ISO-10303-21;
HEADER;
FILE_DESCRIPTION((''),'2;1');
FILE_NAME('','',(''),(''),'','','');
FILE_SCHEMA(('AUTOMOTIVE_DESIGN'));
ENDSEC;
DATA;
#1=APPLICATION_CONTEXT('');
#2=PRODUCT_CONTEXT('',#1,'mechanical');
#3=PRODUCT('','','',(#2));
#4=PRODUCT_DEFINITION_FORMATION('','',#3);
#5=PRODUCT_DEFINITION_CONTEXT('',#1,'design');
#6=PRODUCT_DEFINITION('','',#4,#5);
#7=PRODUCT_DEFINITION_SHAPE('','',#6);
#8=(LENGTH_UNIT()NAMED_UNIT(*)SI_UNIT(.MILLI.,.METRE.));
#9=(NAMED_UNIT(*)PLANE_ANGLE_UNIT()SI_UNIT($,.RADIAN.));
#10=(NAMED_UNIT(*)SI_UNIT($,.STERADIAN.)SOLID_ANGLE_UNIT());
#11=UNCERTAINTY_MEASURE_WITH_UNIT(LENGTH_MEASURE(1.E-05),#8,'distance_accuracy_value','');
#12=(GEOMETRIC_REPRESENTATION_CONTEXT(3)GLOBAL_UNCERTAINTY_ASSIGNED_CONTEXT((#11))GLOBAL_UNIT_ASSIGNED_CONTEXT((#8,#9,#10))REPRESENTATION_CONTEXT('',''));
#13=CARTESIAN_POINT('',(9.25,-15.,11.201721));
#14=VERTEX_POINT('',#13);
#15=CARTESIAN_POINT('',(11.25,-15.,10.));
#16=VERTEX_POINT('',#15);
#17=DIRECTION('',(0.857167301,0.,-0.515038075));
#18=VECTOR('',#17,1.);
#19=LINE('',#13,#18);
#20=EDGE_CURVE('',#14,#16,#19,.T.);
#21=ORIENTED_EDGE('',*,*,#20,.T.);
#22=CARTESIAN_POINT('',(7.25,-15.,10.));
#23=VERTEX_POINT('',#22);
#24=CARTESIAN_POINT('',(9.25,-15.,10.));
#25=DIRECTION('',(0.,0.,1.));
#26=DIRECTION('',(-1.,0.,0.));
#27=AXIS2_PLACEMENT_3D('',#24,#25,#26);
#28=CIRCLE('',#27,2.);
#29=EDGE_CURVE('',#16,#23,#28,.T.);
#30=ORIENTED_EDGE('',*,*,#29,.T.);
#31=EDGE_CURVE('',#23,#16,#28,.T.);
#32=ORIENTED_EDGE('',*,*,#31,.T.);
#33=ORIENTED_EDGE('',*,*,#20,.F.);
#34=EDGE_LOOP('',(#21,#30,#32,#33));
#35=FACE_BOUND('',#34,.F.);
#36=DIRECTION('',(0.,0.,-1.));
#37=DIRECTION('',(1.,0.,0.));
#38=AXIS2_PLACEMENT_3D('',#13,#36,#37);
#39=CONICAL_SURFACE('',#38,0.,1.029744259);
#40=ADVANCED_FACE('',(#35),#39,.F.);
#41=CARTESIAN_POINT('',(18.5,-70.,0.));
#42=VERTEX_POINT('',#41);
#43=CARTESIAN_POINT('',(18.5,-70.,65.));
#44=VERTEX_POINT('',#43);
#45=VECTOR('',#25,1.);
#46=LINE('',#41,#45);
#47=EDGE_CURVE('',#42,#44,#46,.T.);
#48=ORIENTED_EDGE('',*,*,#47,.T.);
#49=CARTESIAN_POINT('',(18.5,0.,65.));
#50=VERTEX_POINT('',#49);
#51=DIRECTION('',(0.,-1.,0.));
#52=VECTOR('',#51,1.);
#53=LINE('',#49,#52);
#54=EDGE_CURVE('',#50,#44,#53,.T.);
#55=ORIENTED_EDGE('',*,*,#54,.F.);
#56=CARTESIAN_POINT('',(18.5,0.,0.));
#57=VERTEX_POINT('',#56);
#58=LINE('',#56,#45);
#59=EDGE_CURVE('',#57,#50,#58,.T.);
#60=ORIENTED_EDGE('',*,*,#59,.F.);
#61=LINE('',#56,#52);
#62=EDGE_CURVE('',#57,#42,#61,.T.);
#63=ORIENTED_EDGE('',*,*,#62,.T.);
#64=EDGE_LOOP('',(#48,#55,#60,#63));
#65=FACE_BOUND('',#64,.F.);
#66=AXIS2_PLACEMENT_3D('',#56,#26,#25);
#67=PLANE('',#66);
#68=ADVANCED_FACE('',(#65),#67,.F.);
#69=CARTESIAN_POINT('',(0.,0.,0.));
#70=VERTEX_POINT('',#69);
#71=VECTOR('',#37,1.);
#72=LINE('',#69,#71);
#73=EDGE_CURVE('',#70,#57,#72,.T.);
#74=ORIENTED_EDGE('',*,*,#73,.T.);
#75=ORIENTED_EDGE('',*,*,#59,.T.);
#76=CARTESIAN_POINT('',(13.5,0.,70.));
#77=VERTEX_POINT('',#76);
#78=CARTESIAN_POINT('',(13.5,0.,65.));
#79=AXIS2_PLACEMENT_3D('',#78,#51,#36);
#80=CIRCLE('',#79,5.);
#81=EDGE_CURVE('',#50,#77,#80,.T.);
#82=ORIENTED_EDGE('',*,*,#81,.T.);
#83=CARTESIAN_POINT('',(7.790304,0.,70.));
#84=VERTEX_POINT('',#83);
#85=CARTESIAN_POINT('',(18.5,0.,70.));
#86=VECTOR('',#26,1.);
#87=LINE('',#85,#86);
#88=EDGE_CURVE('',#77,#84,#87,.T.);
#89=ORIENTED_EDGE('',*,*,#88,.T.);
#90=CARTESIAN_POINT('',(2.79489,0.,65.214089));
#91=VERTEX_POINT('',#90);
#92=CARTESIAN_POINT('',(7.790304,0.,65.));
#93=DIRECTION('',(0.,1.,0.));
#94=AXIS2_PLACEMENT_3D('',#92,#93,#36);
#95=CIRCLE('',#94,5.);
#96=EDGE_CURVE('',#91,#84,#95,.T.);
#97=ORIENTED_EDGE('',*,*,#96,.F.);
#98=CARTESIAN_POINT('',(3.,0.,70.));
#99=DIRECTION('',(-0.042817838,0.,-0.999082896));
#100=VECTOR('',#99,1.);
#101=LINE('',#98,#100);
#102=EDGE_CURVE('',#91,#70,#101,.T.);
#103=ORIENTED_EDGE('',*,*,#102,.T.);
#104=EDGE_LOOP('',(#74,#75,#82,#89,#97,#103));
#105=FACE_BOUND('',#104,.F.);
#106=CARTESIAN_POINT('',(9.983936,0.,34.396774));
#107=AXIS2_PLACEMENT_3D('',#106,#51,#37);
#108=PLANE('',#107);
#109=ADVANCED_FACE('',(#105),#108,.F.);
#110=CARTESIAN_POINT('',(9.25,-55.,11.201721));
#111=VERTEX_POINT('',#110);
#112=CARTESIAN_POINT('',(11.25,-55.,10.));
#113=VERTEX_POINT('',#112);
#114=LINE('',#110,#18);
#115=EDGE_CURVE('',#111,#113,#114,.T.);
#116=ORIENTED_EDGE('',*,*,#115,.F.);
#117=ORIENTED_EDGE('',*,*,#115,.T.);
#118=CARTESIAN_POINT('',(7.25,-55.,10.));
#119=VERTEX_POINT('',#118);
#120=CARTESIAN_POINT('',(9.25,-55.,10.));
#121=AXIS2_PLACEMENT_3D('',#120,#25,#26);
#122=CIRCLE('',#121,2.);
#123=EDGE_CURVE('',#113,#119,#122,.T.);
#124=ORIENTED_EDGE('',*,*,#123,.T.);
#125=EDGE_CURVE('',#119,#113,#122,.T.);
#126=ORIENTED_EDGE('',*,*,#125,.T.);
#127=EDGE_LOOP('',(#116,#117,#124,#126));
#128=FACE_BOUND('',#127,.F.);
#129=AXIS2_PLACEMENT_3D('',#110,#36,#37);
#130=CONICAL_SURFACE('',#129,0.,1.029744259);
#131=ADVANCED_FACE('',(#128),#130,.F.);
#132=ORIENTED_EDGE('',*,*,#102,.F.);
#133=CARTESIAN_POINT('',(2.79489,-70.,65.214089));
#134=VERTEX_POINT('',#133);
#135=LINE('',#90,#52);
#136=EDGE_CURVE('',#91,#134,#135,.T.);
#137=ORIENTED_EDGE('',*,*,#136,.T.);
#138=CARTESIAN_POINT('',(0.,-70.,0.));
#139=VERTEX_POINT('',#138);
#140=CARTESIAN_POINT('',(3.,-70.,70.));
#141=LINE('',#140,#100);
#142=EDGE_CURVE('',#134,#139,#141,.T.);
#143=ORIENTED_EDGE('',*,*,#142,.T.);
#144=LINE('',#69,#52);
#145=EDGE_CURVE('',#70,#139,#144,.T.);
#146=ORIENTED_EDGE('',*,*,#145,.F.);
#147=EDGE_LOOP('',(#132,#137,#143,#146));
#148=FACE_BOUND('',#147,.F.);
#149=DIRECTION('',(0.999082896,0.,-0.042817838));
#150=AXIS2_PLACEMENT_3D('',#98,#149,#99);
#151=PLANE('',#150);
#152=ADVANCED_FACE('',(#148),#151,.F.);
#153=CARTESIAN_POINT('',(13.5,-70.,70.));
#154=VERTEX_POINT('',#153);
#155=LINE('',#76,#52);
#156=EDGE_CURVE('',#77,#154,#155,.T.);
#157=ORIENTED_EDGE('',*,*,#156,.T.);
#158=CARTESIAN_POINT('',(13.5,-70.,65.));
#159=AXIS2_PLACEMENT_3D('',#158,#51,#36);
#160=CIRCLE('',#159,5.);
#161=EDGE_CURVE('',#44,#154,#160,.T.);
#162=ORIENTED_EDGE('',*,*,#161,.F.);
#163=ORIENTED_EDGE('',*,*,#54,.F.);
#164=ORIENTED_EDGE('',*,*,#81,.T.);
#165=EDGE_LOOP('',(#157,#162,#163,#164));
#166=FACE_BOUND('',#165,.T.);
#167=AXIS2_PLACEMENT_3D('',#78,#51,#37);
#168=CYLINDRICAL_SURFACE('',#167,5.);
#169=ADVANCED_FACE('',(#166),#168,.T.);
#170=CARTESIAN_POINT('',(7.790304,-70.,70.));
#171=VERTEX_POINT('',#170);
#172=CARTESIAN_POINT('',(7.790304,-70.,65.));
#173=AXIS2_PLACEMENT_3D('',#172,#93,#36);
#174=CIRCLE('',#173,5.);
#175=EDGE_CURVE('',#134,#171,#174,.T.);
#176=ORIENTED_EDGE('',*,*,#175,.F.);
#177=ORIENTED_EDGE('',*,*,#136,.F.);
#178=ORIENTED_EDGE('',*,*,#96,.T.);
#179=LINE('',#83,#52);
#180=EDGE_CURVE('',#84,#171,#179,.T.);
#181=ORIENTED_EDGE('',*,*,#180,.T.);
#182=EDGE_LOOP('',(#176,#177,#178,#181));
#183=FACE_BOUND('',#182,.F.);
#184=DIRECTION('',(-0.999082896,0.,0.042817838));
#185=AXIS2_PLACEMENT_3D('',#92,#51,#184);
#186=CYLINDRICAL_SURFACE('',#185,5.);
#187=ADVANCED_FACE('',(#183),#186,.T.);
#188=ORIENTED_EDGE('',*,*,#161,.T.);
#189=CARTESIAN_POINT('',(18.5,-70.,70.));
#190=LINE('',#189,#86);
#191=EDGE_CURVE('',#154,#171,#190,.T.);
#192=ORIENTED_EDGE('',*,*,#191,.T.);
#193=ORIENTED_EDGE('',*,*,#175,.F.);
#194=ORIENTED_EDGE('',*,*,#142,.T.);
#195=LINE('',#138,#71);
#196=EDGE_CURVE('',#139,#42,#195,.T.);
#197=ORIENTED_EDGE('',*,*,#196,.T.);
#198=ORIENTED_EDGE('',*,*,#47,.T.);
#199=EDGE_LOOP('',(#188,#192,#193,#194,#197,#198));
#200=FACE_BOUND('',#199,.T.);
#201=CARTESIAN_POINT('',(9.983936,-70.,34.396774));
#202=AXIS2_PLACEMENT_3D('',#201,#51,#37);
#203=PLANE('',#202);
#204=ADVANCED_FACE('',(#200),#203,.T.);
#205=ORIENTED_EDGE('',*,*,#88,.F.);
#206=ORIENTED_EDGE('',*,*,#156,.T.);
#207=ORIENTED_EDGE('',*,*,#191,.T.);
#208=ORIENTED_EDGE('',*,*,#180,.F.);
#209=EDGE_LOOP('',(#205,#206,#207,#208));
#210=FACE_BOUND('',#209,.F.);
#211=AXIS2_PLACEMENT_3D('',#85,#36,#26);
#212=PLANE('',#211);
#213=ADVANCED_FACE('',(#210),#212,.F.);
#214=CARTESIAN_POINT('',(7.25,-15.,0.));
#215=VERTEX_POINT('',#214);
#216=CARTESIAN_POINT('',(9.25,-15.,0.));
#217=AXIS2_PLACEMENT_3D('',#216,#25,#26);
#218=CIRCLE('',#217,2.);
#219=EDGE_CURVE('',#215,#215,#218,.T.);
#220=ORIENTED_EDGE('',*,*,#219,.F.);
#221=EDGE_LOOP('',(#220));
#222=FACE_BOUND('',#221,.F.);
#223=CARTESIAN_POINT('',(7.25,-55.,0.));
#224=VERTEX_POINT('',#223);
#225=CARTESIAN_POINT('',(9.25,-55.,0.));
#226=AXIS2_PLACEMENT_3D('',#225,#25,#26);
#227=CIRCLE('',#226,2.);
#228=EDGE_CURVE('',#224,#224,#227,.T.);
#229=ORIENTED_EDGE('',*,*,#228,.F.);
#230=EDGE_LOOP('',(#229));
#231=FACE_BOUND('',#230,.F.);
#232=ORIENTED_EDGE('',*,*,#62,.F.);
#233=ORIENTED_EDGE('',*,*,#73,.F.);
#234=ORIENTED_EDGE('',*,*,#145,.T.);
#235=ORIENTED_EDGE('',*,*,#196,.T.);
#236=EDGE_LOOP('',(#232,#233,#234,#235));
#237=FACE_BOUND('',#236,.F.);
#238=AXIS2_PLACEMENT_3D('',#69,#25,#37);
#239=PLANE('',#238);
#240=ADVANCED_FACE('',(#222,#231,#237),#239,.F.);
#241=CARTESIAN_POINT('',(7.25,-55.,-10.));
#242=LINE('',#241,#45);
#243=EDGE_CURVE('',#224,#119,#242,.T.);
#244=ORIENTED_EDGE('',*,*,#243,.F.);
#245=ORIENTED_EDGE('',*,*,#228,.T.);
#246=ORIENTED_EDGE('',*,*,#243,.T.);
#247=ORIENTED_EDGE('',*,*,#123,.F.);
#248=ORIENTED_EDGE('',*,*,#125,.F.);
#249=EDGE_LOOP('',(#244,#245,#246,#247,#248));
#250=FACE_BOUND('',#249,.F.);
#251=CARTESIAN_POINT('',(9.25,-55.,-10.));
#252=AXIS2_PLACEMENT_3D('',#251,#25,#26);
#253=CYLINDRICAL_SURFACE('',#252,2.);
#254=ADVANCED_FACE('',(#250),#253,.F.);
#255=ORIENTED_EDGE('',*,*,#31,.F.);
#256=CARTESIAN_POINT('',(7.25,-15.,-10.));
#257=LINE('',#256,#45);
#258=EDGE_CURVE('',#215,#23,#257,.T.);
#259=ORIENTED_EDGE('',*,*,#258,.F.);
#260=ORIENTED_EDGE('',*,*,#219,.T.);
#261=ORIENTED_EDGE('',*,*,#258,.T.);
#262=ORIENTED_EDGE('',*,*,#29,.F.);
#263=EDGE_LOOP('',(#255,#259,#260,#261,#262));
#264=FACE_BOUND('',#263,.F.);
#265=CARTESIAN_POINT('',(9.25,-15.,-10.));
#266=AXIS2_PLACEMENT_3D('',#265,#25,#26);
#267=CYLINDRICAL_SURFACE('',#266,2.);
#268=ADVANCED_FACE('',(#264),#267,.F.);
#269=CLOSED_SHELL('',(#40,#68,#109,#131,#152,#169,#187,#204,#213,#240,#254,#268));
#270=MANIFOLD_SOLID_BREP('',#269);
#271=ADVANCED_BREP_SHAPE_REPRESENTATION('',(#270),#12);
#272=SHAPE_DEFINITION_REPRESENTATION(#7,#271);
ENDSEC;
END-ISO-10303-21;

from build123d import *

# Parameters (mm, degrees)
F1_DEPTH = 70
F2_R     = 5
F4_D     = 4
F4_DEPTH = 10
F4_TIP   = 1.2017212381


with BuildPart() as f1:
    # F0 (on Front) → F1 (new body)
    with BuildSketch(Plane.XZ):
        Polygon((3, 70), (0, 0), (18.5, 0), (18.5, 70), align=None)
    extrude(amount=F1_DEPTH)

    # F2
    f2_edges = [f1.edges().sort_by_distance(p)[0] for p in [
        (18.5, -35, 70),
        (3, -35, 70),
    ]]
    fillet(f2_edges, radius=F2_R)

    # F4
    with Locations(Plane(origin=(0, 0, 0), x_dir=(1, 0, 0), z_dir=(0, 0, -1))):
        with Locations((9.25, 55), (9.25, 15)):
            Hole(F4_D / 2, depth=F4_DEPTH)
            with Locations((0, 0, -(F4_DEPTH + F4_TIP / 2))):  # 118° drill point
                Cone(0, F4_D / 2, F4_TIP, mode=Mode.SUBTRACT)


solid = f1.part
